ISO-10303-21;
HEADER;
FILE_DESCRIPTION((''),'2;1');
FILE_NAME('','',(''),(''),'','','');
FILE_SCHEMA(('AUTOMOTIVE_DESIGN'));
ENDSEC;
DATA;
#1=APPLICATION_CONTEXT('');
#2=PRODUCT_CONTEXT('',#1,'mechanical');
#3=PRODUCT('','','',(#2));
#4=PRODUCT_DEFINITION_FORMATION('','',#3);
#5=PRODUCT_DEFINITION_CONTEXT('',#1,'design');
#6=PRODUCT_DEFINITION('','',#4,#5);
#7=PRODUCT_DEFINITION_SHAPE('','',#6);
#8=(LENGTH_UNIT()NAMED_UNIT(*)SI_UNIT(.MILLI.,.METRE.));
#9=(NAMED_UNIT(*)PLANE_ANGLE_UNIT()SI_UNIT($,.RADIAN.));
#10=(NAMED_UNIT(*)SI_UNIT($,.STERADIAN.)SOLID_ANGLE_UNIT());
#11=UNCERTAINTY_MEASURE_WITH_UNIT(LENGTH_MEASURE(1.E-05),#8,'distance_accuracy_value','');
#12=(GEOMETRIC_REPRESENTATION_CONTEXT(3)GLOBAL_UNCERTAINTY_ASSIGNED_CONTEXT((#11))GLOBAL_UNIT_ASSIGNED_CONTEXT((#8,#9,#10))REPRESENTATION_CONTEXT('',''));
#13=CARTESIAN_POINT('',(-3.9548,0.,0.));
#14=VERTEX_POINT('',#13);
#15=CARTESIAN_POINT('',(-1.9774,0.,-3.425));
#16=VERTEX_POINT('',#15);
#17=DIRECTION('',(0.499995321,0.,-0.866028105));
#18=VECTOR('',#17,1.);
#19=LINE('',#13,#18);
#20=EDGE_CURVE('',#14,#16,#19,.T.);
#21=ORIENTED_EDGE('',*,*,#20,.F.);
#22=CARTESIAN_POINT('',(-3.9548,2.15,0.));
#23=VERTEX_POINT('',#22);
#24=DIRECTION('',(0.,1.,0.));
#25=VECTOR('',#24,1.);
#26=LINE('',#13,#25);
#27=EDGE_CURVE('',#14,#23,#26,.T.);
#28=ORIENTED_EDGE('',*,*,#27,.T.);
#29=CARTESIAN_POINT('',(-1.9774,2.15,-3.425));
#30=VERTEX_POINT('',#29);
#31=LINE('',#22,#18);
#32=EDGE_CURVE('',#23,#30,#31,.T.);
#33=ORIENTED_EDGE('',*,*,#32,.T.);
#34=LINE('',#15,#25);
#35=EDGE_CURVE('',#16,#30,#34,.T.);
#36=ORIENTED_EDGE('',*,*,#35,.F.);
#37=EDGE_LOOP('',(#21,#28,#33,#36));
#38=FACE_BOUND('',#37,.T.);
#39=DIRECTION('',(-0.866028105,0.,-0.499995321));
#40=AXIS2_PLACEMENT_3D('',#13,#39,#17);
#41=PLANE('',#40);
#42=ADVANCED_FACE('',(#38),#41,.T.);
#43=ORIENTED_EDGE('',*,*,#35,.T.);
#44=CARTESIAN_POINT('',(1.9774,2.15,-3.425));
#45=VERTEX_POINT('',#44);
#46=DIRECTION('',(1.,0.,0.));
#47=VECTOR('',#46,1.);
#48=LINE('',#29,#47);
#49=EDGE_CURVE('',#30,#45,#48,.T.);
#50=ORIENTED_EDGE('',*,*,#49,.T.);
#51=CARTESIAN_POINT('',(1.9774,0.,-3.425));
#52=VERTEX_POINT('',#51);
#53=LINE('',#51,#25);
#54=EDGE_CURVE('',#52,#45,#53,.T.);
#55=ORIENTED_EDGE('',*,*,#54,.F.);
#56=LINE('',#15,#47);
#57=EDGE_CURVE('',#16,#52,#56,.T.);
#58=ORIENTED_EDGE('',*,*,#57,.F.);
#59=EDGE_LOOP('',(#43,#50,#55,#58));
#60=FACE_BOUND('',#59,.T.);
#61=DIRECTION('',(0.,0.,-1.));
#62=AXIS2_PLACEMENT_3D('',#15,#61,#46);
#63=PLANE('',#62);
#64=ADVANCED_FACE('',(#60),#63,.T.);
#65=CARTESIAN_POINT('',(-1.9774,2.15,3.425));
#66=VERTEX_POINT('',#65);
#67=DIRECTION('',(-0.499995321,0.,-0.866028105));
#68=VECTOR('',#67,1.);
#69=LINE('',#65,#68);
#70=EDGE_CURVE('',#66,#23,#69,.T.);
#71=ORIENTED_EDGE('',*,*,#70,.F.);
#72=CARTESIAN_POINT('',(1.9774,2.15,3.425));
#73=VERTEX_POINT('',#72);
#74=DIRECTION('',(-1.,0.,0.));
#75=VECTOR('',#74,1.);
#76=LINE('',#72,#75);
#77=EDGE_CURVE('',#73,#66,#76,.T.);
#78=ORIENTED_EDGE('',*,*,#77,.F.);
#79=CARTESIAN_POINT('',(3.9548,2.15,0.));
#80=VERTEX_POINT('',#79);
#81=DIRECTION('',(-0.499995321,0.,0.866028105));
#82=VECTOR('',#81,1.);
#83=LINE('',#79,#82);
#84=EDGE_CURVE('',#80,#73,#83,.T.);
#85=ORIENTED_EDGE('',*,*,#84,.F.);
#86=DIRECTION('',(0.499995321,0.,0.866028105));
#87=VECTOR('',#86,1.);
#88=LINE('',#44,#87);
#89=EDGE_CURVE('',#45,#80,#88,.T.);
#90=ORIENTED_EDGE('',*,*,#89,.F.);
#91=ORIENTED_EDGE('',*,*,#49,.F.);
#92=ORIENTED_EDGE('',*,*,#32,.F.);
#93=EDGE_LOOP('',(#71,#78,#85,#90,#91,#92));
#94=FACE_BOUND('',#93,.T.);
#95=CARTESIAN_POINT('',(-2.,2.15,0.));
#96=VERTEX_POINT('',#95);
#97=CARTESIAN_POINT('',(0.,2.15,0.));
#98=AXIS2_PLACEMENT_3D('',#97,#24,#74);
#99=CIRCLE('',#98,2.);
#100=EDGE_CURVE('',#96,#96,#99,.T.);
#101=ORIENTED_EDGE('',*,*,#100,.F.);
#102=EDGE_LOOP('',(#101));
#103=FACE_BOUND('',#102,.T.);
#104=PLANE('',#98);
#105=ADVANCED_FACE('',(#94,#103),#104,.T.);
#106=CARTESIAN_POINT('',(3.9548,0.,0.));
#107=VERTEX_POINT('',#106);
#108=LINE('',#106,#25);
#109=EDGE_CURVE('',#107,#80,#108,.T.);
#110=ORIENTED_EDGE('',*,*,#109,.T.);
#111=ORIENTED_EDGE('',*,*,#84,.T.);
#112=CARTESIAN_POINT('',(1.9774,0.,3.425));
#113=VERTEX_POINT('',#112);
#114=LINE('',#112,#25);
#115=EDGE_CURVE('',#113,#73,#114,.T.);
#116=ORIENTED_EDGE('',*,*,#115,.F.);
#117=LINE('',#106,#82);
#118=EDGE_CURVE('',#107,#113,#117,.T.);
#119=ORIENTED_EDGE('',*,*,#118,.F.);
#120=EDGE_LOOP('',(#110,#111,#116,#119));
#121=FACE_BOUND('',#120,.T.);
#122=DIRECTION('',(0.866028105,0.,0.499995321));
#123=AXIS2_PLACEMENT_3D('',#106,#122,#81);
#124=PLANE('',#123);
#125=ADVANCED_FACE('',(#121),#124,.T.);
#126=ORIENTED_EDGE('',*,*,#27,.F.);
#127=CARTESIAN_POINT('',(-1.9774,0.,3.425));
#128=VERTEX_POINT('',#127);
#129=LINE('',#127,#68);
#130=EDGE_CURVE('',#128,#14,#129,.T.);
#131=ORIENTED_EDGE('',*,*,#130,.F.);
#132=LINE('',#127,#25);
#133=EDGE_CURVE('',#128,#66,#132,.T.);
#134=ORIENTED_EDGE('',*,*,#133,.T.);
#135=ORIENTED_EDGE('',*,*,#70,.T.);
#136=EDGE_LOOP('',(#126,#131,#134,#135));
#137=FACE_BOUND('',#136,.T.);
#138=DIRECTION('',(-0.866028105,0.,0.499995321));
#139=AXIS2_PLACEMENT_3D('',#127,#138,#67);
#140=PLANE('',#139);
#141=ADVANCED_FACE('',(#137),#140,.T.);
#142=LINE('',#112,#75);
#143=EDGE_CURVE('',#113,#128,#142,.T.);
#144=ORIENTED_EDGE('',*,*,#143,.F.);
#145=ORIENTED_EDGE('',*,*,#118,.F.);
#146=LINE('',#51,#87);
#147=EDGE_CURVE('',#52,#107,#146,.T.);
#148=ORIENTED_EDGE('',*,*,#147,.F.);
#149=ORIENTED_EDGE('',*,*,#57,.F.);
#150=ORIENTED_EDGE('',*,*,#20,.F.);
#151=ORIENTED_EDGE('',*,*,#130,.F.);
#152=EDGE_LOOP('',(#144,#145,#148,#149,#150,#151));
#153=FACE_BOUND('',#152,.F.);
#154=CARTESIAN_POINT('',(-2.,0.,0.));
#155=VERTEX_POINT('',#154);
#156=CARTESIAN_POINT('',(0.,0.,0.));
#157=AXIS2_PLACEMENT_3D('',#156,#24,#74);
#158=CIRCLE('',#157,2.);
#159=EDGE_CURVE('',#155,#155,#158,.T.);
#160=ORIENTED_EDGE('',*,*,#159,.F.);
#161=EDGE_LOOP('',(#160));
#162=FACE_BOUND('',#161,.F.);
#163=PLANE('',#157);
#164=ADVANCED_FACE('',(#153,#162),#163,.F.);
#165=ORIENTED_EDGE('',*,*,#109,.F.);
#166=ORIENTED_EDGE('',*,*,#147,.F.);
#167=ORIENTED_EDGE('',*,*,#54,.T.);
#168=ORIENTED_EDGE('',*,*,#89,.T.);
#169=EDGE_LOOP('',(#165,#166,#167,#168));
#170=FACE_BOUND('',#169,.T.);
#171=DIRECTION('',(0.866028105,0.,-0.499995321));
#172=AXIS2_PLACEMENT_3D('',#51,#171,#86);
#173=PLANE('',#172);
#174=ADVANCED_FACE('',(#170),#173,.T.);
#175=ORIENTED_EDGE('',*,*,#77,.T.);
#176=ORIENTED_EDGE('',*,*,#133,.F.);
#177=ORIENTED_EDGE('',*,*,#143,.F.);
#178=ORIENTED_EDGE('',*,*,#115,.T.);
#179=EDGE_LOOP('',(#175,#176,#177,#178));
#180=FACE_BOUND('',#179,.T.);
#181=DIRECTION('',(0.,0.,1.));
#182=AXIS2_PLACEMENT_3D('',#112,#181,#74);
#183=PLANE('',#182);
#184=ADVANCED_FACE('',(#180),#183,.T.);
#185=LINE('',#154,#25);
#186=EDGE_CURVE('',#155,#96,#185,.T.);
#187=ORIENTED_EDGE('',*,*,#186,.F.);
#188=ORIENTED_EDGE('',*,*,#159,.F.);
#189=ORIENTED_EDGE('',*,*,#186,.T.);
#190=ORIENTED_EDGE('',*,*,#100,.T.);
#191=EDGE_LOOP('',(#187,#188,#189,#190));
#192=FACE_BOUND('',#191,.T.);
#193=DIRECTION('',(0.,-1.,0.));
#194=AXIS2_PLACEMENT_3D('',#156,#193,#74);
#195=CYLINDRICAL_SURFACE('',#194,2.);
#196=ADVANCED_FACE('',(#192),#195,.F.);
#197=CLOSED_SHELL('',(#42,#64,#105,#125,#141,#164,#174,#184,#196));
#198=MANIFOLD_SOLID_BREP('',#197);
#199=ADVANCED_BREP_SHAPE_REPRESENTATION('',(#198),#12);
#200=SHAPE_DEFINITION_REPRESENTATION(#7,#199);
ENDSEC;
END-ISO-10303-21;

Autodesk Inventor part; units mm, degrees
ref_plane "YZ Plane" through (0, 0, 0) normal (1, 0, 0) x (0, 1, 0)
ref_plane "XZ Plane" through (0, 0, 0) normal (0, 1, 0) x (-1, 0, 0)
ref_plane "XY Plane" through (0, 0, 0) normal (0, 0, 1) x (1, 0, 0)
sketch "草圖1" plane through (0, 0, 0) normal (0, 1, 0) x (-1, 0, 0)
  circle A0 centre (0, 0) radius 2
  line L0 (1.9774, -3.425) -> (-1.9774, -3.425)
  line L1 (-1.9774, -3.425) -> (-3.9548, 0)
  line L2 (-3.9548, 0) -> (-1.9774, 3.425)
  line L3 (-1.9774, 3.425) -> (1.9774, 3.425)
  line L4 (1.9774, 3.425) -> (3.9548, 0)
  line L5 (3.9548, 0) -> (1.9774, -3.425)
  dimension "d0" = 4
  dimension "d1" = 6.85
extrude "擠出1" add sketch "草圖1" along normal blind 2.15
properties part number "nut_thin_M4"
